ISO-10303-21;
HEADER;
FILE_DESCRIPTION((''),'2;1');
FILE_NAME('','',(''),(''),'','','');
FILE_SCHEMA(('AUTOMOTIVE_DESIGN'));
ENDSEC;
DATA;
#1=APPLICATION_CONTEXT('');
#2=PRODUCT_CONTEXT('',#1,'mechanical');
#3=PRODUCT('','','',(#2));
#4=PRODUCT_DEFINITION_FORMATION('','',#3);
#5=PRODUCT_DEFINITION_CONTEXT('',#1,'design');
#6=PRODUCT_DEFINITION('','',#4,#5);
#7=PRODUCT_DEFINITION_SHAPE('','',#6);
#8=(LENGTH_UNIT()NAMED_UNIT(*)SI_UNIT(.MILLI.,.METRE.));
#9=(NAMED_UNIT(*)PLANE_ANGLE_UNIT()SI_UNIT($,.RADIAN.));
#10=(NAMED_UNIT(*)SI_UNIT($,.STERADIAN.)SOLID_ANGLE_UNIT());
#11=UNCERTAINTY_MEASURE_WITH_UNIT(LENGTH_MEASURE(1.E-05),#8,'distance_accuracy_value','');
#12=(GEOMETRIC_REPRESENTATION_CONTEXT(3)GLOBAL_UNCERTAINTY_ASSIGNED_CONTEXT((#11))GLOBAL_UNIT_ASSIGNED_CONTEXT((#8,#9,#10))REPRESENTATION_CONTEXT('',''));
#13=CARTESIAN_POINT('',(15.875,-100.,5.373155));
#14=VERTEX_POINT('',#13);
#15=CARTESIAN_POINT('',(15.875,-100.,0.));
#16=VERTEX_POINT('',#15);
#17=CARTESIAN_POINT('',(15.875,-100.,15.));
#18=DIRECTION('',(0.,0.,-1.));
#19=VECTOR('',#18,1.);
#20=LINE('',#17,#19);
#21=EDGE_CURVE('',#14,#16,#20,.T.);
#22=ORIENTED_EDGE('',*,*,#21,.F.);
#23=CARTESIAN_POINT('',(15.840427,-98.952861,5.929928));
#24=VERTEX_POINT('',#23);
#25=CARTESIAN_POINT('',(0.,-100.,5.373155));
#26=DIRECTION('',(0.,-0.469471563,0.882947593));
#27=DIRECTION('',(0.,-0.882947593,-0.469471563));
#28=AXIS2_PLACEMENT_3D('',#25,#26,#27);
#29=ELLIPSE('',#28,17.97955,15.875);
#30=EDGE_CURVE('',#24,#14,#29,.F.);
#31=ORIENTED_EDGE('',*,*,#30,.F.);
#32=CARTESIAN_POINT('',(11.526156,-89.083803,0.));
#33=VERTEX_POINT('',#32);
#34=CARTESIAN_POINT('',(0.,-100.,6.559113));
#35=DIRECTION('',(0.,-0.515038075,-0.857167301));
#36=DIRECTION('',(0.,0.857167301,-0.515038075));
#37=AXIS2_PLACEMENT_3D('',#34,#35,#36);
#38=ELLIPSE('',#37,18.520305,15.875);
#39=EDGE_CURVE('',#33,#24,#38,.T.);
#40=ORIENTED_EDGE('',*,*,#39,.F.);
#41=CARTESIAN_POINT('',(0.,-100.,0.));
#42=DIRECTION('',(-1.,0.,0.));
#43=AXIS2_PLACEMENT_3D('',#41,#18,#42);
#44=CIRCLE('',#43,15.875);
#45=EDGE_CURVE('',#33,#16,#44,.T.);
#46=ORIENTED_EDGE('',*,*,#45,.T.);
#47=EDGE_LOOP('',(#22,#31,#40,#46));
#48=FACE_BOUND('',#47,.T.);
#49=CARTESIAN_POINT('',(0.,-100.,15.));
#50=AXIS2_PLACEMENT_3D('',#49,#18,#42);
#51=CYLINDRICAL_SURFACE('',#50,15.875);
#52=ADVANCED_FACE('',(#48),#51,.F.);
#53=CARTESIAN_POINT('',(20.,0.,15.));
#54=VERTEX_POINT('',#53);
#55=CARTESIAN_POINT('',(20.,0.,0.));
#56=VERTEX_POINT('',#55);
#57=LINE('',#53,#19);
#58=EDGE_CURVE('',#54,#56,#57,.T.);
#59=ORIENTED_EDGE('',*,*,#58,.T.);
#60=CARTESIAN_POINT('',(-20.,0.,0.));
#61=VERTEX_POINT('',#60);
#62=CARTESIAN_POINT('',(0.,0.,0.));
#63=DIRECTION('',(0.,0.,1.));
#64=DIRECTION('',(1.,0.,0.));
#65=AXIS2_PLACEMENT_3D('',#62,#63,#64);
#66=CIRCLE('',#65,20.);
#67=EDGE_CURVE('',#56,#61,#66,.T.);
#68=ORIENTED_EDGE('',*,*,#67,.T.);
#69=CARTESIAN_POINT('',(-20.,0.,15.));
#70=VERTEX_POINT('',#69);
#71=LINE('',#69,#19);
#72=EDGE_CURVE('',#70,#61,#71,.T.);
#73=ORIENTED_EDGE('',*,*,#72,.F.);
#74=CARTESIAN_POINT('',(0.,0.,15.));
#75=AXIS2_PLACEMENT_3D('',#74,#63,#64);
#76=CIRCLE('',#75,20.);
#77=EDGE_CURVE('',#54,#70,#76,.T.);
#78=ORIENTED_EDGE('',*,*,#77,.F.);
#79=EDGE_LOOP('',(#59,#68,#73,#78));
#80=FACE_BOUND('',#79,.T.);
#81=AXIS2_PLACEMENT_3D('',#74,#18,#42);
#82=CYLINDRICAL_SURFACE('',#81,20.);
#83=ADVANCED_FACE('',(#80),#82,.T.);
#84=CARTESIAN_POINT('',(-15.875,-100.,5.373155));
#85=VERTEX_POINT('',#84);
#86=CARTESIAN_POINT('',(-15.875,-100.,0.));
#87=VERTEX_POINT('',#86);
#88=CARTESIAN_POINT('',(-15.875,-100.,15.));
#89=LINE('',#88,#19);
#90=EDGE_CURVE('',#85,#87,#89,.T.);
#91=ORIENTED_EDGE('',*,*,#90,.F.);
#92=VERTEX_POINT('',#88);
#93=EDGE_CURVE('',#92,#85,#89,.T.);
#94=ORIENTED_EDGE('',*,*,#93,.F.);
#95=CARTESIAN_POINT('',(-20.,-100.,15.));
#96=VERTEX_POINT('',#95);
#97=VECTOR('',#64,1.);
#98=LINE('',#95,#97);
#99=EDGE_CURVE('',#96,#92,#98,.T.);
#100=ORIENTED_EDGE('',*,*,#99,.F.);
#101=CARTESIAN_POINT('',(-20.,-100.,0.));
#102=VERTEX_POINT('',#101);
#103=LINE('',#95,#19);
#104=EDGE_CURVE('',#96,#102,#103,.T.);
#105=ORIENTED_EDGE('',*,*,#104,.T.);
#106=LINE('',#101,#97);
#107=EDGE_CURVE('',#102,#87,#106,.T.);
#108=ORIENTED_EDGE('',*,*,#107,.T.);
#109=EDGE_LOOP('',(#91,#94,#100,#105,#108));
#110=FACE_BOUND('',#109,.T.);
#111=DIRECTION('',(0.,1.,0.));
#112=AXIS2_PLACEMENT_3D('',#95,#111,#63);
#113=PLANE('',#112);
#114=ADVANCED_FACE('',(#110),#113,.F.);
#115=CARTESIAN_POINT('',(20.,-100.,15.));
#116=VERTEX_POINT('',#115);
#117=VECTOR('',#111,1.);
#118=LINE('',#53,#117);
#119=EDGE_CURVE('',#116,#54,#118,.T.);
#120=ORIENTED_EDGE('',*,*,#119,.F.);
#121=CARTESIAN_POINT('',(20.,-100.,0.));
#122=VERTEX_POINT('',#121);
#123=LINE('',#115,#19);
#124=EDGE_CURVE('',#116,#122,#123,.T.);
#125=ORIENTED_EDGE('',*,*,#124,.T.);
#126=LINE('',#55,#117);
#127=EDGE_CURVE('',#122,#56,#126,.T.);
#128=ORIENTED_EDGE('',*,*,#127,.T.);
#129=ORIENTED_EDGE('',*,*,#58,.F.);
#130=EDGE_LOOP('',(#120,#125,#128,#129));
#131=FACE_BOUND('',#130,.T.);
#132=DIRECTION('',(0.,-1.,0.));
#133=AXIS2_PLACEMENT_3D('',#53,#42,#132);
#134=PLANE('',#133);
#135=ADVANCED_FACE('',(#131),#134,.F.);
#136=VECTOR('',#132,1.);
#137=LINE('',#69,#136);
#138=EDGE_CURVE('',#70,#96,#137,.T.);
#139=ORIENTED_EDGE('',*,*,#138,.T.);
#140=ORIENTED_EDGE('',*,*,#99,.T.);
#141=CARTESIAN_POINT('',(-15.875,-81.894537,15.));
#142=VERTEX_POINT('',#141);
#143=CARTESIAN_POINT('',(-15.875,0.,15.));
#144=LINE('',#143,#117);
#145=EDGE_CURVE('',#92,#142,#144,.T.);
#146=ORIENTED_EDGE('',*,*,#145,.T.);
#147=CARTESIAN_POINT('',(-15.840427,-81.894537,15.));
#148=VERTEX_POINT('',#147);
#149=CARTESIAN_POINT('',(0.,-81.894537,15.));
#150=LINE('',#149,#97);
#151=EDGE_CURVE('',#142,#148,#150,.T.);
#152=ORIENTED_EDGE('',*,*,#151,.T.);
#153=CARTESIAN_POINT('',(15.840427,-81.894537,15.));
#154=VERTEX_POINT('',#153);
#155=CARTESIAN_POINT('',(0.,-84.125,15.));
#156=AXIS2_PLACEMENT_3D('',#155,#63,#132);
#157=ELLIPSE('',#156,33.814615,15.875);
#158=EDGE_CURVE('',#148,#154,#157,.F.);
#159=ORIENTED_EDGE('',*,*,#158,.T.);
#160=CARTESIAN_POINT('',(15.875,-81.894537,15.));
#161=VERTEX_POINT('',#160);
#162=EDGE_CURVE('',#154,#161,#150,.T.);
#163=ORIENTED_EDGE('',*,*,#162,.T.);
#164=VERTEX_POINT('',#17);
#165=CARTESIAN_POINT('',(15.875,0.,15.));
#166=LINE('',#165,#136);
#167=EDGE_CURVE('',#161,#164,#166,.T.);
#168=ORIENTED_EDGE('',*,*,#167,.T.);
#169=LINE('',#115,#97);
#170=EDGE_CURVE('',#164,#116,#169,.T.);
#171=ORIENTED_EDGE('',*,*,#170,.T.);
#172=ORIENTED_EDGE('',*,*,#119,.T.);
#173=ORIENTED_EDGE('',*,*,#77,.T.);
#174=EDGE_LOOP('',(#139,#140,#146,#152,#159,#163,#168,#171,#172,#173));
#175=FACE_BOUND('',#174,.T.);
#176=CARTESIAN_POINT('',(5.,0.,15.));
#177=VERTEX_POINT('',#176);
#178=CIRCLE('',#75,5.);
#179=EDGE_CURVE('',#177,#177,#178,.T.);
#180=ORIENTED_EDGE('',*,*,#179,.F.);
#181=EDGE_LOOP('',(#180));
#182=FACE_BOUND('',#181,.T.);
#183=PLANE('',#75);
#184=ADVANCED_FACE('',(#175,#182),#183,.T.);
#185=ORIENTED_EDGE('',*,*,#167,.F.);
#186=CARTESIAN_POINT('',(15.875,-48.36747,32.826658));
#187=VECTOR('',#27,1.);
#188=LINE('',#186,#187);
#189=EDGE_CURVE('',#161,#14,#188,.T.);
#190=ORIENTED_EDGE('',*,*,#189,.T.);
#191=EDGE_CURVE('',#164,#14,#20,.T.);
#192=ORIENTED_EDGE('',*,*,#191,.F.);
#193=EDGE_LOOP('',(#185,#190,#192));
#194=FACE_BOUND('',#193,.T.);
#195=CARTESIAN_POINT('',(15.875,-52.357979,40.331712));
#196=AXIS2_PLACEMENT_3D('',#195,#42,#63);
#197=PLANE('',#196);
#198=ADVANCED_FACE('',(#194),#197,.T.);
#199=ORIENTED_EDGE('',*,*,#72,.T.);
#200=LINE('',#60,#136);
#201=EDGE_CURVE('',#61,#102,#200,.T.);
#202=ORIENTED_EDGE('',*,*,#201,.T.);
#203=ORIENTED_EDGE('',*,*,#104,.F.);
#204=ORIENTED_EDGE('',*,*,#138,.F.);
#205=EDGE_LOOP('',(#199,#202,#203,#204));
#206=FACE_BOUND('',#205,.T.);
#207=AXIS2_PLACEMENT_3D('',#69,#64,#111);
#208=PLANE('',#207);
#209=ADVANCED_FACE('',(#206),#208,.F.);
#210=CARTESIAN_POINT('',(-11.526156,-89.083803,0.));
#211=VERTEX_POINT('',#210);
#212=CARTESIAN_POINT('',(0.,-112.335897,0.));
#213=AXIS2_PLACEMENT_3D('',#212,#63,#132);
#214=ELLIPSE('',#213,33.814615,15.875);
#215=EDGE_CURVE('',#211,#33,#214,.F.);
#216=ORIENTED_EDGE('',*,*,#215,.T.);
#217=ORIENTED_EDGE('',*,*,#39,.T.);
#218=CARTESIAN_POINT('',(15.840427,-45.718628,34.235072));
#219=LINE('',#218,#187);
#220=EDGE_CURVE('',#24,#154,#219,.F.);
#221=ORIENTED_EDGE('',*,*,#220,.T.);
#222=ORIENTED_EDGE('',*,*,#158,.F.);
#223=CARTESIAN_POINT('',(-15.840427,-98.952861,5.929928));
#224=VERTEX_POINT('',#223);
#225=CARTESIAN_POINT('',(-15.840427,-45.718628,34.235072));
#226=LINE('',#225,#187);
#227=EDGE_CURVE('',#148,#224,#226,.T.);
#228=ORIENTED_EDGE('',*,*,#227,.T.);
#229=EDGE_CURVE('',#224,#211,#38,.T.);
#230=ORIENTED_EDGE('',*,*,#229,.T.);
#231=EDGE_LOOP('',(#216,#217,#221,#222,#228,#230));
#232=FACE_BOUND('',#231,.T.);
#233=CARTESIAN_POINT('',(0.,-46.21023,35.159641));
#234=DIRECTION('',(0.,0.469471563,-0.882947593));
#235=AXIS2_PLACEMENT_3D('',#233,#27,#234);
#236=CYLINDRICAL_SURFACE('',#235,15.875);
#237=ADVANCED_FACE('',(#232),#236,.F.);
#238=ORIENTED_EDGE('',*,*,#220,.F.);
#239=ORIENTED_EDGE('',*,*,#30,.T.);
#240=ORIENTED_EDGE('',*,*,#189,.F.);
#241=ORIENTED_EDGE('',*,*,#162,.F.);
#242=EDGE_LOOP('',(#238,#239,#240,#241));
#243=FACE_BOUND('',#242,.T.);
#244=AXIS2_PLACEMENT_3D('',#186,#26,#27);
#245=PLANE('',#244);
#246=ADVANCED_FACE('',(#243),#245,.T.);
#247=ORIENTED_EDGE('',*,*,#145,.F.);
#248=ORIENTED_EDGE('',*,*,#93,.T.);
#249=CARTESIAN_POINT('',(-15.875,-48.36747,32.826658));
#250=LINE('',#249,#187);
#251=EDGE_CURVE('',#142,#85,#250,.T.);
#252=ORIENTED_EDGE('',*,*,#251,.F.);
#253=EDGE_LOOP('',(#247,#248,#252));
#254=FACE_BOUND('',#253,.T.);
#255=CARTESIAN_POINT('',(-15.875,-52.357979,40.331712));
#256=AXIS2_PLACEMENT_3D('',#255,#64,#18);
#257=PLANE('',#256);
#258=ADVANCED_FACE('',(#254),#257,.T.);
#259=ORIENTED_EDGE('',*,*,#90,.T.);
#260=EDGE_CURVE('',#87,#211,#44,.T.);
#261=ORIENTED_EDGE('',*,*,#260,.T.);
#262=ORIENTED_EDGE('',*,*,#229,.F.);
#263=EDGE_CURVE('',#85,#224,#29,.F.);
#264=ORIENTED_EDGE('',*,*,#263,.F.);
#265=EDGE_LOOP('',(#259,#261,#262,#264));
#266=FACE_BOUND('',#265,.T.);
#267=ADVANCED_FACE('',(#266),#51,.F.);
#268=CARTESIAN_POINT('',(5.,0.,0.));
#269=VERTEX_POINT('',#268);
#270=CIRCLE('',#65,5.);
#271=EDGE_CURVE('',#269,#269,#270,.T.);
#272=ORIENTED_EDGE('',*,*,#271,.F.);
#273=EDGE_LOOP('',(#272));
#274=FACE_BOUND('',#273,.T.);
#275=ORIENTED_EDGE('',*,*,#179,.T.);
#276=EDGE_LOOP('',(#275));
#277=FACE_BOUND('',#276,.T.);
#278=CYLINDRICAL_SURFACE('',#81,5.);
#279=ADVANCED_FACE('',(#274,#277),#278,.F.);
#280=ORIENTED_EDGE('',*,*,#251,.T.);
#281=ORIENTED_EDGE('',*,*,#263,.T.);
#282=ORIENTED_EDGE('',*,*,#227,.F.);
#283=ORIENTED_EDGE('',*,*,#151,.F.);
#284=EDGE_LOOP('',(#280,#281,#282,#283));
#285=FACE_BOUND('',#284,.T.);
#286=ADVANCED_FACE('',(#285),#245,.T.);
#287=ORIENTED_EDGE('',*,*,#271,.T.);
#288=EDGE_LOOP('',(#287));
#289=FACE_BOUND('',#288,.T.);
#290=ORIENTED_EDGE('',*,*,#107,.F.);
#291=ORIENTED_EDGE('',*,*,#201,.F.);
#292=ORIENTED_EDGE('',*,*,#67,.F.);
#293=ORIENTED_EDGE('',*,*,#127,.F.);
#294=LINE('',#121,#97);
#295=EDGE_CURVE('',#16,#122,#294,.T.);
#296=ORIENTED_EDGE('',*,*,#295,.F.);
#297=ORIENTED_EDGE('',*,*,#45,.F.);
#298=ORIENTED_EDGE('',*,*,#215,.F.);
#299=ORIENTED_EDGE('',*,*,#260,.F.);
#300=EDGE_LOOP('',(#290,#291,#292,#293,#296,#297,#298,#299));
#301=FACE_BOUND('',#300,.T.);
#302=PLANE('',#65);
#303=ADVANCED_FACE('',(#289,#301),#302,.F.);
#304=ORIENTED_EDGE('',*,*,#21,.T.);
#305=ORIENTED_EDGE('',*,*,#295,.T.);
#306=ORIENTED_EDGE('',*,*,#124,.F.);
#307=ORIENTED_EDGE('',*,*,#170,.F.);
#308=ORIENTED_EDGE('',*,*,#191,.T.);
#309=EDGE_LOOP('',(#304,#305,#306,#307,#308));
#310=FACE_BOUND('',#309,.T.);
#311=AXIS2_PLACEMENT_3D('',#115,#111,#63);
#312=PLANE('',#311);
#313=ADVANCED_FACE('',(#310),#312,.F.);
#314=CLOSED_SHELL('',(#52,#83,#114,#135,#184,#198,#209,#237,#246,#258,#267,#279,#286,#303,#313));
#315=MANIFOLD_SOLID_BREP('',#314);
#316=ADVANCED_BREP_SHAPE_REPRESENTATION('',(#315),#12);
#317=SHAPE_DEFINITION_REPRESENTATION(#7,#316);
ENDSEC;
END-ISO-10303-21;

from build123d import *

# Parameters (mm, degrees)
SKETCH1_R           = 5
BOSS_EXTRUDE1_DEPTH = 15
SKETCH2_R           = 15.875
CUT_EXTRUDE1_DEPTH  = 64
SKETCH4_W           = 31.75
SKETCH4_H           = 8.5
CUT_EXTRUDE2_DEPTH  = 61


with BuildPart() as part:
    # Sketch1 → Boss-Extrude1 (new body)
    with BuildSketch(Plane.XY):
        with BuildLine():
            Line((-20, 0), (-20, -100))
            Line((-20, -100), (-15.875, -100))
            ThreePointArc((-15.875, -100), (0, -84.125), (15.875, -100))
            Line((15.875, -100), (20, -100))
            Line((20, -100), (20, 0))
            ThreePointArc((20, 0), (0, 20), (-20, 0))
        make_face()
        Circle(SKETCH1_R, mode=Mode.SUBTRACT)
    extrude(amount=BOSS_EXTRUDE1_DEPTH)

    # Sketch2 → Cut-Extrude1 (cut)
    with BuildSketch(Plane(origin=(0, -77.959645174, -41.451878628), x_dir=(1, 0, 0), z_dir=(0, 0.8829475928589248, 0.46947156278589486))):
        with Locations((0, -52.738509112)):
            Circle(SKETCH2_R)
    extrude(amount=CUT_EXTRUDE1_DEPTH, mode=Mode.SUBTRACT)

    # Sketch4 → Cut-Extrude2 (cut)
    with BuildSketch(Plane(origin=(0, -77.959645174, -41.451878628), x_dir=(1, 0, 0), z_dir=(0, 0.8829475928589248, 0.46947156278589486))):
        with Locations((0, -55.941370171)):
            Rectangle(SKETCH4_W, SKETCH4_H)
    extrude(amount=CUT_EXTRUDE2_DEPTH, mode=Mode.SUBTRACT)


solid = part.part
